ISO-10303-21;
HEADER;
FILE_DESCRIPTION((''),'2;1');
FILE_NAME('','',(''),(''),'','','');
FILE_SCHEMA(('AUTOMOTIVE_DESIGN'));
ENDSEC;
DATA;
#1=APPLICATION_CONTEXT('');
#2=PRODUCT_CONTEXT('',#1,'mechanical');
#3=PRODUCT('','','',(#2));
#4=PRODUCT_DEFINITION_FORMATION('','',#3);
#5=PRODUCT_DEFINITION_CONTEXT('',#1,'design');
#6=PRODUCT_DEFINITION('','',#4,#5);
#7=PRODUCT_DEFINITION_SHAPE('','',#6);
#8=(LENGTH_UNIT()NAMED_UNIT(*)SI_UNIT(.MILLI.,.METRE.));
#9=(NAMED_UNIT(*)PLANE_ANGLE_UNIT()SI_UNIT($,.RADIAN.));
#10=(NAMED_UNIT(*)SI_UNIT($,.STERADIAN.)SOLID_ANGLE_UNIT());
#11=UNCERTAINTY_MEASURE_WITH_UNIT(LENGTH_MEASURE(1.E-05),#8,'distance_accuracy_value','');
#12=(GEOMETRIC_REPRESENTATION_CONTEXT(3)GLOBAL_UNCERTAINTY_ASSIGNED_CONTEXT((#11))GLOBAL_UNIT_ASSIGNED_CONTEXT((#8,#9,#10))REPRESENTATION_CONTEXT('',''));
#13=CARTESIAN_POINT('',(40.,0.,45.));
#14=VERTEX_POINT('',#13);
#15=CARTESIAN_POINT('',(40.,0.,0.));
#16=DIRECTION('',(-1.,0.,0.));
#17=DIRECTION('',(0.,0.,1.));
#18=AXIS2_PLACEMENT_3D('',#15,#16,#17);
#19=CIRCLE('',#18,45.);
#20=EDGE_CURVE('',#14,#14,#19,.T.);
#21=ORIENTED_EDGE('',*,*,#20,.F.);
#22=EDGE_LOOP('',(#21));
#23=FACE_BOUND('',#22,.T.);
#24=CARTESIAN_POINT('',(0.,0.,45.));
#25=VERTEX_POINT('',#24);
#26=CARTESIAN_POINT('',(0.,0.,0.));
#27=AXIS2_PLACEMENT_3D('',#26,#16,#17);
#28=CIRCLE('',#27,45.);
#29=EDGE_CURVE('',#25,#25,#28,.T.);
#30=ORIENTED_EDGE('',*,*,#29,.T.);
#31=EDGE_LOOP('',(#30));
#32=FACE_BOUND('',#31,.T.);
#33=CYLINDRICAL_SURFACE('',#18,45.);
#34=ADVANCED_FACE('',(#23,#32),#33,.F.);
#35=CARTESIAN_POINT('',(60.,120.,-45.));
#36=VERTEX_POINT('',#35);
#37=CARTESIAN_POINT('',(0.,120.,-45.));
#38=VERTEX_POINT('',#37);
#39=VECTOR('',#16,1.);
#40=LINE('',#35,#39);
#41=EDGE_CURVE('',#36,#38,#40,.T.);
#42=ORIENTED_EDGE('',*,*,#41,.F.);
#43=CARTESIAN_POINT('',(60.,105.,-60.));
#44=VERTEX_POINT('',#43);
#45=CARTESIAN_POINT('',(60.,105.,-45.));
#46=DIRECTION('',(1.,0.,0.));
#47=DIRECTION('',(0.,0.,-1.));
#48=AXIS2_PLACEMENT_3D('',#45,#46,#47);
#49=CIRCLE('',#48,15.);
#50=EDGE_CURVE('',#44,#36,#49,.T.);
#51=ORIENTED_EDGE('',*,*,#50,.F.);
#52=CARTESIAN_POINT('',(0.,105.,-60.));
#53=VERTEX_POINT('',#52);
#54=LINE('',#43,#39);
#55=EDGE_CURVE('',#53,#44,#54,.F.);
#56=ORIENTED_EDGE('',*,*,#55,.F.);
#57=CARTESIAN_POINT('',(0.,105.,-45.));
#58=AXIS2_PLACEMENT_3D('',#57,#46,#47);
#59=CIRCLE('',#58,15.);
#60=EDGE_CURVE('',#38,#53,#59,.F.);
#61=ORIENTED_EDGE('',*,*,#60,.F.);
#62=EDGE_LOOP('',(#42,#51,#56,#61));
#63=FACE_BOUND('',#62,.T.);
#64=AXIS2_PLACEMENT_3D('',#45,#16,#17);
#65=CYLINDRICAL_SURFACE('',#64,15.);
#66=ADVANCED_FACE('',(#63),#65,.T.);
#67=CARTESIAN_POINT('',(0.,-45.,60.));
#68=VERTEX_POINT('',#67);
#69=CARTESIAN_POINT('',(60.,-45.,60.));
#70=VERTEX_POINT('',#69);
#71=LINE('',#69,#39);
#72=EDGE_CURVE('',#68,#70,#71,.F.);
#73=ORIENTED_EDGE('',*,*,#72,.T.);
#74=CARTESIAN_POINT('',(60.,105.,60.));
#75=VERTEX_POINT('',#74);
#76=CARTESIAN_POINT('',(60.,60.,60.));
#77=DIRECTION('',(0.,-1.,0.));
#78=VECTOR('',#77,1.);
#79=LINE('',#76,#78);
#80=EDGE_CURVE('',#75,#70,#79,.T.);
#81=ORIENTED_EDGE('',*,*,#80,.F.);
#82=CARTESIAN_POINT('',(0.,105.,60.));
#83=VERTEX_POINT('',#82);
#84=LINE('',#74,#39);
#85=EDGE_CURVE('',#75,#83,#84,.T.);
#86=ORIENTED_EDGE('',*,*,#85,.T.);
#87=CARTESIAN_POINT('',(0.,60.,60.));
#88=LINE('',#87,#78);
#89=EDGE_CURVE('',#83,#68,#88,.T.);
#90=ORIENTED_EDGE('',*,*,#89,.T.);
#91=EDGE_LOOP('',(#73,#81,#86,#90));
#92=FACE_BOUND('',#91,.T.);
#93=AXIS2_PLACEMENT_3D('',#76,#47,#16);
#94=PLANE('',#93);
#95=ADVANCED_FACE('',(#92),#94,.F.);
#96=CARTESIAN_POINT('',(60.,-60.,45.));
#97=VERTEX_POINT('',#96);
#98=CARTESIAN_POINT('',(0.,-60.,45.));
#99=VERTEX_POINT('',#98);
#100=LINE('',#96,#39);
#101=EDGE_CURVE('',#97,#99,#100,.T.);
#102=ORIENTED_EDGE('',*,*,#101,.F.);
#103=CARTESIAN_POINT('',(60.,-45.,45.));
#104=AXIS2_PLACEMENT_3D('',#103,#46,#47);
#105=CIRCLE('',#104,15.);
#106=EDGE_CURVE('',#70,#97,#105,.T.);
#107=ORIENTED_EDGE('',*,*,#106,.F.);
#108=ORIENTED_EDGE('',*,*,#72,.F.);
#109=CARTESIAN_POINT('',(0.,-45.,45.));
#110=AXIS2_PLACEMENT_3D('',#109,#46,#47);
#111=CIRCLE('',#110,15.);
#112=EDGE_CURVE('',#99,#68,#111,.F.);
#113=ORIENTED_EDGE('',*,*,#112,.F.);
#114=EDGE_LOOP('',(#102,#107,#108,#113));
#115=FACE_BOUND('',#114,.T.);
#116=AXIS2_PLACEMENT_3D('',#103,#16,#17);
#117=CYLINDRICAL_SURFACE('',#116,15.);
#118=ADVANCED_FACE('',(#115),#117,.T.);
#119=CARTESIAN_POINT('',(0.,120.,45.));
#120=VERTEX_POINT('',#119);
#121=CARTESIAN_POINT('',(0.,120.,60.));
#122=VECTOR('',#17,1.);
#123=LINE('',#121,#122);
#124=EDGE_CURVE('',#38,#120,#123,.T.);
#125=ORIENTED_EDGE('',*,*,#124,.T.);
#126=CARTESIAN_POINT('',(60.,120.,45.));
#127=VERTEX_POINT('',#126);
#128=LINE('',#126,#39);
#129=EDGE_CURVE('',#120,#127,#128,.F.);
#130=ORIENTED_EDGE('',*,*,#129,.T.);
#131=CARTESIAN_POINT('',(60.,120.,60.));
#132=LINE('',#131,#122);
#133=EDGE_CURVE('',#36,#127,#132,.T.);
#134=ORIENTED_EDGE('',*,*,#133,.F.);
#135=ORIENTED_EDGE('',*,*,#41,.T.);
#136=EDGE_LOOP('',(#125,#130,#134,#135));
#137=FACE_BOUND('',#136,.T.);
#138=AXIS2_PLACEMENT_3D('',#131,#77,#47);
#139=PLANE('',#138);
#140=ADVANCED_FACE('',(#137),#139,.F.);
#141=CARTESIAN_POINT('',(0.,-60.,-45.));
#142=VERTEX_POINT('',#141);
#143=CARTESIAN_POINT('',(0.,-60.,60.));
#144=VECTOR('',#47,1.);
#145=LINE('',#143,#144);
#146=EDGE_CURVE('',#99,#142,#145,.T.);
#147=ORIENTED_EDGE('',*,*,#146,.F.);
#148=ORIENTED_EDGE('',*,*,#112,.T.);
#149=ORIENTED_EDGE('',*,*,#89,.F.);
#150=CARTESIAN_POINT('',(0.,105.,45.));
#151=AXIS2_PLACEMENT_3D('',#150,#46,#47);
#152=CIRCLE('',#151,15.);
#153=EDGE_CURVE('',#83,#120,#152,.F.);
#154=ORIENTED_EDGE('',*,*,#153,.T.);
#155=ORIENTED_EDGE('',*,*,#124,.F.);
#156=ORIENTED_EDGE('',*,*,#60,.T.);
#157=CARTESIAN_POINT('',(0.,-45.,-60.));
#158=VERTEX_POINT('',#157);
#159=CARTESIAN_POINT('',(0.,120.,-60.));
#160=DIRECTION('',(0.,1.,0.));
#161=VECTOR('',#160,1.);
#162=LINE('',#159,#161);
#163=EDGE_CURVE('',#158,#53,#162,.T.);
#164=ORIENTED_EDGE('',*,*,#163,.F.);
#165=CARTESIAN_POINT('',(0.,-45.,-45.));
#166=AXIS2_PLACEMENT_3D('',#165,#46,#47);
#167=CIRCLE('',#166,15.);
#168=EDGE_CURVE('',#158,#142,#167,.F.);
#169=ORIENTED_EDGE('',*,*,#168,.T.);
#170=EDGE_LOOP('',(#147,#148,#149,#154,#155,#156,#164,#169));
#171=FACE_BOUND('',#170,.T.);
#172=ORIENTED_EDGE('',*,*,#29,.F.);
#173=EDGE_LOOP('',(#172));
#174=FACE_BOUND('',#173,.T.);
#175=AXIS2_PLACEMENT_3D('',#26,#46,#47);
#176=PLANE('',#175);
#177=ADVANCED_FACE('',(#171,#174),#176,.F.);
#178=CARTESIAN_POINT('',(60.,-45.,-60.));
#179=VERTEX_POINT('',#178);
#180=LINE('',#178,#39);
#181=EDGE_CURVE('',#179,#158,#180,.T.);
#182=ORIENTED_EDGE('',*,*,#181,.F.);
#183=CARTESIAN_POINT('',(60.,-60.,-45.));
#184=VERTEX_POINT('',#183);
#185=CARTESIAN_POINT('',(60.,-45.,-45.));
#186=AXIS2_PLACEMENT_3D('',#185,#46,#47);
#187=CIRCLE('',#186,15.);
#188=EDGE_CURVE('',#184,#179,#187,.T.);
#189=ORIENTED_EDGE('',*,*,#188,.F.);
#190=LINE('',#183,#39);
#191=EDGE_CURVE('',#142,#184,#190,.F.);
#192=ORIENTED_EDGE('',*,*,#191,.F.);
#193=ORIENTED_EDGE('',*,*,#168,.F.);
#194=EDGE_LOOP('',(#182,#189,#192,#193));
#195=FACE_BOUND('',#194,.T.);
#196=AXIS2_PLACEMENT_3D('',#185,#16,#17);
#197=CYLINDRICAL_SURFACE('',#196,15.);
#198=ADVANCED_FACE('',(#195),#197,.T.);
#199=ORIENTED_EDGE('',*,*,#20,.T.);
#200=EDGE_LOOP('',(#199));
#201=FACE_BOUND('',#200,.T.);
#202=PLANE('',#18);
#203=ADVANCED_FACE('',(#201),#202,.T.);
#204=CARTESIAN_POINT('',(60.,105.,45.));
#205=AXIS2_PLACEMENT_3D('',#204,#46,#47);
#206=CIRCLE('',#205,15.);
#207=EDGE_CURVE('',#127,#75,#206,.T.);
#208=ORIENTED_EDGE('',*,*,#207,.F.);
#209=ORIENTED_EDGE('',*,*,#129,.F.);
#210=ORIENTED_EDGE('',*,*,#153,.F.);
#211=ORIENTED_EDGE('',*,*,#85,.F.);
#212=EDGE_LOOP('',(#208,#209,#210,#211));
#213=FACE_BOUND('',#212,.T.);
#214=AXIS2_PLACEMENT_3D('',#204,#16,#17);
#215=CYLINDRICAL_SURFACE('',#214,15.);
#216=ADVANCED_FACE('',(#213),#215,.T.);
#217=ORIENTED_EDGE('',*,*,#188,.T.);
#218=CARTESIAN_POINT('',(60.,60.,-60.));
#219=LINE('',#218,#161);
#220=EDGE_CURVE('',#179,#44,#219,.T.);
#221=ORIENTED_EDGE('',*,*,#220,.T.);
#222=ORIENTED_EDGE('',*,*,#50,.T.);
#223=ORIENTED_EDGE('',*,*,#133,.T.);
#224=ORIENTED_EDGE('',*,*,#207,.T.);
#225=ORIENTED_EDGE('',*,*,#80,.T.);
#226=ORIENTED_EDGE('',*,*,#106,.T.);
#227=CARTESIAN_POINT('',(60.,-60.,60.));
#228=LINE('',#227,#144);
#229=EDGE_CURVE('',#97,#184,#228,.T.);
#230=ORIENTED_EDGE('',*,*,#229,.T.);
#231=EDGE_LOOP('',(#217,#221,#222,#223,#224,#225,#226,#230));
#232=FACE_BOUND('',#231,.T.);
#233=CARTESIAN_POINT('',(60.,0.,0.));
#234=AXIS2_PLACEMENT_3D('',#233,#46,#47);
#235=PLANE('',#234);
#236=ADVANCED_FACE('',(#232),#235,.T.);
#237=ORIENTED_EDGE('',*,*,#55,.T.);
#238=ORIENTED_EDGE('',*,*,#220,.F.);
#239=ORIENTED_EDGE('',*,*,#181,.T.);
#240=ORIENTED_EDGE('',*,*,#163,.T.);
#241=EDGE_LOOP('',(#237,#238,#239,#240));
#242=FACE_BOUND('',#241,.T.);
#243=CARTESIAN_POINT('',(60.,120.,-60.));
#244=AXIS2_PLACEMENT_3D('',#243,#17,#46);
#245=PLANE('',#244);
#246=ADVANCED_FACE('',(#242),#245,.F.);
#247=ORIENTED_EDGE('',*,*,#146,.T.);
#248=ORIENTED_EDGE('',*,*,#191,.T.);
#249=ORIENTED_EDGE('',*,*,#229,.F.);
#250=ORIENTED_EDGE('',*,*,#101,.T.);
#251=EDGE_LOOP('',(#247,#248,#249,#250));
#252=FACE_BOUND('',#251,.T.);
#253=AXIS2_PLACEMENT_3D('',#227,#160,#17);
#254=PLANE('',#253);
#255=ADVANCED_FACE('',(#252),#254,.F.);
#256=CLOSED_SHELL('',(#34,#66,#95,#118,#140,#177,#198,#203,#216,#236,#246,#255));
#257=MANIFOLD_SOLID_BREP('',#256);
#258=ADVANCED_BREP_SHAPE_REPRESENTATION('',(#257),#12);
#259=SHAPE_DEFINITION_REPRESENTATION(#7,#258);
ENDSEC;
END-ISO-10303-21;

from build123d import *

# Parameters (mm, degrees)
BOSS_EXTRUDE1_DEPTH = 60
SKETCH3_R           = 45
CUT_EXTRUDE1_DEPTH  = 40
FILLET1_R           = 15


with BuildPart() as part:
    # Sketch2 → Boss-Extrude1 (new body)
    with BuildSketch(Plane(origin=(0, 0, 0), x_dir=(0, 0, -1), z_dir=(1, 0, 0))):
        Polygon((-60, 60), (-60, 120), (60, 120), (60, 60), (60, -60), (-60, -60), align=None)
    extrude(amount=BOSS_EXTRUDE1_DEPTH)

    # Sketch3 → Cut-Extrude1 (cut)
    with BuildSketch(Plane.ZY):
        Circle(SKETCH3_R)
    extrude(amount=-CUT_EXTRUDE1_DEPTH, mode=Mode.SUBTRACT)

    # Fillet1
    fillet1_edges = [part.edges().sort_by_distance(p)[0] for p in [
        (30, 120, 60),
        (30, 120, -60),
        (30, -60, -60),
        (30, -60, 60),
    ]]
    fillet(fillet1_edges, radius=FILLET1_R)


solid = part.part
